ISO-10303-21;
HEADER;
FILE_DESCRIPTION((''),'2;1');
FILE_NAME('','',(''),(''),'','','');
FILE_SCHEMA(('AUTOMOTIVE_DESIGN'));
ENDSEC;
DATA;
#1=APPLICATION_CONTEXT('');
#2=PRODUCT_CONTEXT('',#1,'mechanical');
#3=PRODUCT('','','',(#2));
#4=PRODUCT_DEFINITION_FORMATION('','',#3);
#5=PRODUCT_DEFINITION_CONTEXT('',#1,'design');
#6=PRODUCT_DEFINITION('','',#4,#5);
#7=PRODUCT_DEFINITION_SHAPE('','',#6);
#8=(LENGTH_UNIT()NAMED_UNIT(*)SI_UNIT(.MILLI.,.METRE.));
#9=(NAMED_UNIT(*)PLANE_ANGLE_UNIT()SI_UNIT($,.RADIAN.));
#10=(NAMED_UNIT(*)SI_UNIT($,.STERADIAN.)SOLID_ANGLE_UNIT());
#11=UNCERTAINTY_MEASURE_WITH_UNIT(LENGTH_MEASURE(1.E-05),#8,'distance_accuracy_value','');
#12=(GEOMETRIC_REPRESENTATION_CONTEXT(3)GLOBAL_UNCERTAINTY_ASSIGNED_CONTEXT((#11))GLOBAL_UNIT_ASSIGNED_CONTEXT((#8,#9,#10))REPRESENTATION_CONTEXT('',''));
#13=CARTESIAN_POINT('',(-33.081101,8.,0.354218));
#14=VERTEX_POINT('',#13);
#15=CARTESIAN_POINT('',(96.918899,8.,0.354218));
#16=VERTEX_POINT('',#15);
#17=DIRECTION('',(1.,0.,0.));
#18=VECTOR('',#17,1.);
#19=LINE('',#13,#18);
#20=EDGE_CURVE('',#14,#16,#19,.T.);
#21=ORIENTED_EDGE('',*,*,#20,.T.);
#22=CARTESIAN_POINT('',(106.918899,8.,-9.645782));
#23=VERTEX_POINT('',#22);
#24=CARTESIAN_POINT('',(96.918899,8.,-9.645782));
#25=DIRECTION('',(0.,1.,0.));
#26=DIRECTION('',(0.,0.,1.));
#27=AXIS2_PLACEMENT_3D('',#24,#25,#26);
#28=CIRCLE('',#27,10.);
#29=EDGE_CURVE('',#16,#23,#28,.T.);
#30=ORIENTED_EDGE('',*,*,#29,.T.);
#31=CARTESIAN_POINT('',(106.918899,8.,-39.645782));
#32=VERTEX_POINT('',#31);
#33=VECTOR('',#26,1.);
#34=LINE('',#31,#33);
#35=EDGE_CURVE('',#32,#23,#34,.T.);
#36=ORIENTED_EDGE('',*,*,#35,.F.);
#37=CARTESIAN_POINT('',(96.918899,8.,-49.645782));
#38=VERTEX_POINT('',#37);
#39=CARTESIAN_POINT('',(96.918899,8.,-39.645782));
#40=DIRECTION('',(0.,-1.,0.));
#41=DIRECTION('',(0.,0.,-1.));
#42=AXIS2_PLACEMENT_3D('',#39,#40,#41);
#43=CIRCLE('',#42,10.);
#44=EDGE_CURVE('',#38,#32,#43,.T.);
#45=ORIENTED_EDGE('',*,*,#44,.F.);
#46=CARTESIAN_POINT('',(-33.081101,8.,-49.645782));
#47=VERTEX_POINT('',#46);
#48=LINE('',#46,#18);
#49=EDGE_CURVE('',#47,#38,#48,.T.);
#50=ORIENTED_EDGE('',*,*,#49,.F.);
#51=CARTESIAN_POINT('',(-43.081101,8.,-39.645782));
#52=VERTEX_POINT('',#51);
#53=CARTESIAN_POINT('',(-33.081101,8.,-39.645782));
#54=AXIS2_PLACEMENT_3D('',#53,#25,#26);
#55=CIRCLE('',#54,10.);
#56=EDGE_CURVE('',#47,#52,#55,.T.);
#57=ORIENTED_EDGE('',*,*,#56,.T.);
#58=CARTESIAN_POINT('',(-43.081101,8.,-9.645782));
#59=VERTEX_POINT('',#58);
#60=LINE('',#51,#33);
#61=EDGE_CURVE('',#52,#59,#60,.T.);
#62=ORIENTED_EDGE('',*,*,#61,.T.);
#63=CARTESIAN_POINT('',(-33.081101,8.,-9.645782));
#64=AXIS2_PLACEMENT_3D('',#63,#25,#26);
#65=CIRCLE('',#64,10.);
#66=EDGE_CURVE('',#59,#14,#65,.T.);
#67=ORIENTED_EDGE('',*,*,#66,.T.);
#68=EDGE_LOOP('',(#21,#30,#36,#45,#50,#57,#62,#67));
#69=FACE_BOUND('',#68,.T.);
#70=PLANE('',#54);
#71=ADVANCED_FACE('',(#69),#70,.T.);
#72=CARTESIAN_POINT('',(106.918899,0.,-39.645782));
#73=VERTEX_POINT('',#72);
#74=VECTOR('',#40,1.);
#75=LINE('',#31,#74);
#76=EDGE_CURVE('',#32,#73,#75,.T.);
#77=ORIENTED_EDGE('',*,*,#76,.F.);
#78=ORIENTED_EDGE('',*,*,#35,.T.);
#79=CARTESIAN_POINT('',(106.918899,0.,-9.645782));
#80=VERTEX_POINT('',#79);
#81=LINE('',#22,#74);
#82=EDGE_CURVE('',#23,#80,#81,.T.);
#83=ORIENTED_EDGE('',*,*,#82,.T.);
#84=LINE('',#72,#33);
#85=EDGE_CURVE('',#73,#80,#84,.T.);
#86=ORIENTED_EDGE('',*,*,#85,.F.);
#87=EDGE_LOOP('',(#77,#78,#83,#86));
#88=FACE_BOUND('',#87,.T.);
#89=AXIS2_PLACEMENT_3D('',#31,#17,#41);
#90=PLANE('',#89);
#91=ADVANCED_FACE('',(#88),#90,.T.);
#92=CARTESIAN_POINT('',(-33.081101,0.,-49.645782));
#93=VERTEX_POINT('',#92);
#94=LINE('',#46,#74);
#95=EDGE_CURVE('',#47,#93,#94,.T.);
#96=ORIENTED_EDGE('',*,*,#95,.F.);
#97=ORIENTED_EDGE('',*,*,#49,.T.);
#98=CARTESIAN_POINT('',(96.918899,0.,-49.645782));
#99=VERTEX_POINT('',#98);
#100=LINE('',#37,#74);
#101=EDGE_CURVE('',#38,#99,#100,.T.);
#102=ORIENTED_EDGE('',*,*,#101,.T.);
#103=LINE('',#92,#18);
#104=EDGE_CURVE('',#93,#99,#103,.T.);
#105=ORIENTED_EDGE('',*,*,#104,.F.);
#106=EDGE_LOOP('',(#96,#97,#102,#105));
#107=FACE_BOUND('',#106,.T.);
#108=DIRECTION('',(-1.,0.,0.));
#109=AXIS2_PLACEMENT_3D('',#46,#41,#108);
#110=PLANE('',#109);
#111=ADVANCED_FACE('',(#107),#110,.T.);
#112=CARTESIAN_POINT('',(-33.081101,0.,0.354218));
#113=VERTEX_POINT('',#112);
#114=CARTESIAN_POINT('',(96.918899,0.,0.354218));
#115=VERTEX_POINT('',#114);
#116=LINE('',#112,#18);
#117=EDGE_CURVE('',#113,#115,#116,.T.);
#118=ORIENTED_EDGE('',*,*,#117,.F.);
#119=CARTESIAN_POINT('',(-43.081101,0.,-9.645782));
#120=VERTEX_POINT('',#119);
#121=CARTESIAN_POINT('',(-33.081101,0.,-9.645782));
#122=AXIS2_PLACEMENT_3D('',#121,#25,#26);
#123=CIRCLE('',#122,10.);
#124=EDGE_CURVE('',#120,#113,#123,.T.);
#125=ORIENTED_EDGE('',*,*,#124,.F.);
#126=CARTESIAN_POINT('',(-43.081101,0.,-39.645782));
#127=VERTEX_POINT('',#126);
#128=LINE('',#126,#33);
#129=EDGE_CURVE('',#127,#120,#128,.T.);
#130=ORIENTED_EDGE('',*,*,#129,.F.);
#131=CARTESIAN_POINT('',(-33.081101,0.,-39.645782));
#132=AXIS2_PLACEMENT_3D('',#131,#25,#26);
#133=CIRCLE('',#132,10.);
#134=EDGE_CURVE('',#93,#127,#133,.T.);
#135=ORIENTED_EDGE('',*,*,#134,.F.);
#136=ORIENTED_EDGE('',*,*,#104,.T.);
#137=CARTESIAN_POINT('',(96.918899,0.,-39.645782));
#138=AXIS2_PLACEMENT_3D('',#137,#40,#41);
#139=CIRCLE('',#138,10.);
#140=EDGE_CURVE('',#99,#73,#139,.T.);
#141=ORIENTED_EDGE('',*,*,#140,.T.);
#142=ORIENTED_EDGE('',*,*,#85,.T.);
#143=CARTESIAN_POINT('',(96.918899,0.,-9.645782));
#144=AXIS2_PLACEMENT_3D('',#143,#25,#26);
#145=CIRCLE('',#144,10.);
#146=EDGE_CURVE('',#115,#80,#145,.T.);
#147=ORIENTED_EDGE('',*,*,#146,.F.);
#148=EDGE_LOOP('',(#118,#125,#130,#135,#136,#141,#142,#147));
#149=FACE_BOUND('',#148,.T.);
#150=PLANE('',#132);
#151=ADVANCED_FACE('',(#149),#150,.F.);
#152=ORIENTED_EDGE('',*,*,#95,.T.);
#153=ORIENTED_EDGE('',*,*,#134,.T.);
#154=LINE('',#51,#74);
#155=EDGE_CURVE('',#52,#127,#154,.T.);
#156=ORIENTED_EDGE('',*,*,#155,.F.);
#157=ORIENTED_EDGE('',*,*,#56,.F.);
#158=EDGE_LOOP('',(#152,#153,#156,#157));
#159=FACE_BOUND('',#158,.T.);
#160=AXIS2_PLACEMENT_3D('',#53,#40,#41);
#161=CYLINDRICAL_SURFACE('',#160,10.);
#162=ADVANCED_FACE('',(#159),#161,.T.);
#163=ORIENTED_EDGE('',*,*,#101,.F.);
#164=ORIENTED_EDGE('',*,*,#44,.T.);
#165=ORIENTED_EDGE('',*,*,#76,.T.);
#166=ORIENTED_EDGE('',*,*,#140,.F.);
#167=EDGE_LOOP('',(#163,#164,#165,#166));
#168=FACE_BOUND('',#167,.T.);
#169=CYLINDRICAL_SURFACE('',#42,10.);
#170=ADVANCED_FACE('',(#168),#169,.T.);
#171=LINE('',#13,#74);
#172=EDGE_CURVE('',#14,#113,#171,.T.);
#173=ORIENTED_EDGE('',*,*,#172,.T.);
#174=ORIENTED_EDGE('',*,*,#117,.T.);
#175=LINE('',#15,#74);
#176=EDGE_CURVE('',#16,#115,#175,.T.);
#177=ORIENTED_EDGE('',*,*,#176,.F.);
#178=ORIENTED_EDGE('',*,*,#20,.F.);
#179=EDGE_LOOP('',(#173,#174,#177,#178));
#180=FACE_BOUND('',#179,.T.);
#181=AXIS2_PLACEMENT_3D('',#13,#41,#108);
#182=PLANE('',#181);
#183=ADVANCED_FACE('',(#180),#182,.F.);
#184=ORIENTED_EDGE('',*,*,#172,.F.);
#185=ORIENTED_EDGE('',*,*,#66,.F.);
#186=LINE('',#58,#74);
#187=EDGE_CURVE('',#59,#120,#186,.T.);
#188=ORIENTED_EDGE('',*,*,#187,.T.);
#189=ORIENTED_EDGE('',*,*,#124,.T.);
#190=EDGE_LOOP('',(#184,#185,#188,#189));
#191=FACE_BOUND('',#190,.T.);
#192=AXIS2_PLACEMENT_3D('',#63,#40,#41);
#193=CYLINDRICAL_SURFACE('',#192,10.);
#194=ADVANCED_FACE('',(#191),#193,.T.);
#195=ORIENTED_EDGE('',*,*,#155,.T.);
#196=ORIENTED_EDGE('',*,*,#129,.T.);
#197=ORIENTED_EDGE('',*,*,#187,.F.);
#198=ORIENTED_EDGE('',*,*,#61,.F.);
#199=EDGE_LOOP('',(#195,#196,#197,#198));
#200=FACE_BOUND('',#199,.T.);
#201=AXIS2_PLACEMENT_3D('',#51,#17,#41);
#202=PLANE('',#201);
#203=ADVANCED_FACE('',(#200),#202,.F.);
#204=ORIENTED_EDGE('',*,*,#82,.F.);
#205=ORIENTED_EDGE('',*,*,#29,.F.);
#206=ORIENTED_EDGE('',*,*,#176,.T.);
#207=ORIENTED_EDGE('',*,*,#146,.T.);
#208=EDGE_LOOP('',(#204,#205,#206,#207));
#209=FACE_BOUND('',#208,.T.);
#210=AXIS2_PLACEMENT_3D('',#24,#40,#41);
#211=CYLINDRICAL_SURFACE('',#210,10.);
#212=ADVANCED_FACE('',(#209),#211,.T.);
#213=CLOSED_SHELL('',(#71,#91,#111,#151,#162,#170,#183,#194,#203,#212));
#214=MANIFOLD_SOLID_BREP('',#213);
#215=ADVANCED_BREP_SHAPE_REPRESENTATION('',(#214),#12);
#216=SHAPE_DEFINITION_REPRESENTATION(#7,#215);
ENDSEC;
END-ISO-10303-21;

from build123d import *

# Parameters (mm, degrees)
BOSS_EXTRUDE1_DEPTH = 8


with BuildPart() as part:
    # Sketch1 → Boss-Extrude1 (new body)
    with BuildSketch(Plane(origin=(0, 0, 0), x_dir=(1, 0, 0), z_dir=(0, 1, 0))):
        with BuildLine():
            Line((-33.081100963, 49.645781782), (96.918899037, 49.645781782))
            ThreePointArc((96.918899037, 49.645781782), (103.989966849, 46.716849594), (106.918899037, 39.645781782))
            Line((106.918899037, 39.645781782), (106.918899037, 9.645781782))
            ThreePointArc((106.918899037, 9.645781782), (103.989966849, 2.57471397), (96.918899037, -0.354218218))
            Line((96.918899037, -0.354218218), (-33.081100963, -0.354218218))
            ThreePointArc((-33.081100963, -0.354218218), (-40.152168774, 2.57471397), (-43.081100963, 9.645781782))
            Line((-43.081100963, 9.645781782), (-43.081100963, 39.645781782))
            ThreePointArc((-43.081100963, 39.645781782), (-40.152168774, 46.716849594), (-33.081100963, 49.645781782))
        make_face()
    extrude(amount=BOSS_EXTRUDE1_DEPTH)


solid = part.part
